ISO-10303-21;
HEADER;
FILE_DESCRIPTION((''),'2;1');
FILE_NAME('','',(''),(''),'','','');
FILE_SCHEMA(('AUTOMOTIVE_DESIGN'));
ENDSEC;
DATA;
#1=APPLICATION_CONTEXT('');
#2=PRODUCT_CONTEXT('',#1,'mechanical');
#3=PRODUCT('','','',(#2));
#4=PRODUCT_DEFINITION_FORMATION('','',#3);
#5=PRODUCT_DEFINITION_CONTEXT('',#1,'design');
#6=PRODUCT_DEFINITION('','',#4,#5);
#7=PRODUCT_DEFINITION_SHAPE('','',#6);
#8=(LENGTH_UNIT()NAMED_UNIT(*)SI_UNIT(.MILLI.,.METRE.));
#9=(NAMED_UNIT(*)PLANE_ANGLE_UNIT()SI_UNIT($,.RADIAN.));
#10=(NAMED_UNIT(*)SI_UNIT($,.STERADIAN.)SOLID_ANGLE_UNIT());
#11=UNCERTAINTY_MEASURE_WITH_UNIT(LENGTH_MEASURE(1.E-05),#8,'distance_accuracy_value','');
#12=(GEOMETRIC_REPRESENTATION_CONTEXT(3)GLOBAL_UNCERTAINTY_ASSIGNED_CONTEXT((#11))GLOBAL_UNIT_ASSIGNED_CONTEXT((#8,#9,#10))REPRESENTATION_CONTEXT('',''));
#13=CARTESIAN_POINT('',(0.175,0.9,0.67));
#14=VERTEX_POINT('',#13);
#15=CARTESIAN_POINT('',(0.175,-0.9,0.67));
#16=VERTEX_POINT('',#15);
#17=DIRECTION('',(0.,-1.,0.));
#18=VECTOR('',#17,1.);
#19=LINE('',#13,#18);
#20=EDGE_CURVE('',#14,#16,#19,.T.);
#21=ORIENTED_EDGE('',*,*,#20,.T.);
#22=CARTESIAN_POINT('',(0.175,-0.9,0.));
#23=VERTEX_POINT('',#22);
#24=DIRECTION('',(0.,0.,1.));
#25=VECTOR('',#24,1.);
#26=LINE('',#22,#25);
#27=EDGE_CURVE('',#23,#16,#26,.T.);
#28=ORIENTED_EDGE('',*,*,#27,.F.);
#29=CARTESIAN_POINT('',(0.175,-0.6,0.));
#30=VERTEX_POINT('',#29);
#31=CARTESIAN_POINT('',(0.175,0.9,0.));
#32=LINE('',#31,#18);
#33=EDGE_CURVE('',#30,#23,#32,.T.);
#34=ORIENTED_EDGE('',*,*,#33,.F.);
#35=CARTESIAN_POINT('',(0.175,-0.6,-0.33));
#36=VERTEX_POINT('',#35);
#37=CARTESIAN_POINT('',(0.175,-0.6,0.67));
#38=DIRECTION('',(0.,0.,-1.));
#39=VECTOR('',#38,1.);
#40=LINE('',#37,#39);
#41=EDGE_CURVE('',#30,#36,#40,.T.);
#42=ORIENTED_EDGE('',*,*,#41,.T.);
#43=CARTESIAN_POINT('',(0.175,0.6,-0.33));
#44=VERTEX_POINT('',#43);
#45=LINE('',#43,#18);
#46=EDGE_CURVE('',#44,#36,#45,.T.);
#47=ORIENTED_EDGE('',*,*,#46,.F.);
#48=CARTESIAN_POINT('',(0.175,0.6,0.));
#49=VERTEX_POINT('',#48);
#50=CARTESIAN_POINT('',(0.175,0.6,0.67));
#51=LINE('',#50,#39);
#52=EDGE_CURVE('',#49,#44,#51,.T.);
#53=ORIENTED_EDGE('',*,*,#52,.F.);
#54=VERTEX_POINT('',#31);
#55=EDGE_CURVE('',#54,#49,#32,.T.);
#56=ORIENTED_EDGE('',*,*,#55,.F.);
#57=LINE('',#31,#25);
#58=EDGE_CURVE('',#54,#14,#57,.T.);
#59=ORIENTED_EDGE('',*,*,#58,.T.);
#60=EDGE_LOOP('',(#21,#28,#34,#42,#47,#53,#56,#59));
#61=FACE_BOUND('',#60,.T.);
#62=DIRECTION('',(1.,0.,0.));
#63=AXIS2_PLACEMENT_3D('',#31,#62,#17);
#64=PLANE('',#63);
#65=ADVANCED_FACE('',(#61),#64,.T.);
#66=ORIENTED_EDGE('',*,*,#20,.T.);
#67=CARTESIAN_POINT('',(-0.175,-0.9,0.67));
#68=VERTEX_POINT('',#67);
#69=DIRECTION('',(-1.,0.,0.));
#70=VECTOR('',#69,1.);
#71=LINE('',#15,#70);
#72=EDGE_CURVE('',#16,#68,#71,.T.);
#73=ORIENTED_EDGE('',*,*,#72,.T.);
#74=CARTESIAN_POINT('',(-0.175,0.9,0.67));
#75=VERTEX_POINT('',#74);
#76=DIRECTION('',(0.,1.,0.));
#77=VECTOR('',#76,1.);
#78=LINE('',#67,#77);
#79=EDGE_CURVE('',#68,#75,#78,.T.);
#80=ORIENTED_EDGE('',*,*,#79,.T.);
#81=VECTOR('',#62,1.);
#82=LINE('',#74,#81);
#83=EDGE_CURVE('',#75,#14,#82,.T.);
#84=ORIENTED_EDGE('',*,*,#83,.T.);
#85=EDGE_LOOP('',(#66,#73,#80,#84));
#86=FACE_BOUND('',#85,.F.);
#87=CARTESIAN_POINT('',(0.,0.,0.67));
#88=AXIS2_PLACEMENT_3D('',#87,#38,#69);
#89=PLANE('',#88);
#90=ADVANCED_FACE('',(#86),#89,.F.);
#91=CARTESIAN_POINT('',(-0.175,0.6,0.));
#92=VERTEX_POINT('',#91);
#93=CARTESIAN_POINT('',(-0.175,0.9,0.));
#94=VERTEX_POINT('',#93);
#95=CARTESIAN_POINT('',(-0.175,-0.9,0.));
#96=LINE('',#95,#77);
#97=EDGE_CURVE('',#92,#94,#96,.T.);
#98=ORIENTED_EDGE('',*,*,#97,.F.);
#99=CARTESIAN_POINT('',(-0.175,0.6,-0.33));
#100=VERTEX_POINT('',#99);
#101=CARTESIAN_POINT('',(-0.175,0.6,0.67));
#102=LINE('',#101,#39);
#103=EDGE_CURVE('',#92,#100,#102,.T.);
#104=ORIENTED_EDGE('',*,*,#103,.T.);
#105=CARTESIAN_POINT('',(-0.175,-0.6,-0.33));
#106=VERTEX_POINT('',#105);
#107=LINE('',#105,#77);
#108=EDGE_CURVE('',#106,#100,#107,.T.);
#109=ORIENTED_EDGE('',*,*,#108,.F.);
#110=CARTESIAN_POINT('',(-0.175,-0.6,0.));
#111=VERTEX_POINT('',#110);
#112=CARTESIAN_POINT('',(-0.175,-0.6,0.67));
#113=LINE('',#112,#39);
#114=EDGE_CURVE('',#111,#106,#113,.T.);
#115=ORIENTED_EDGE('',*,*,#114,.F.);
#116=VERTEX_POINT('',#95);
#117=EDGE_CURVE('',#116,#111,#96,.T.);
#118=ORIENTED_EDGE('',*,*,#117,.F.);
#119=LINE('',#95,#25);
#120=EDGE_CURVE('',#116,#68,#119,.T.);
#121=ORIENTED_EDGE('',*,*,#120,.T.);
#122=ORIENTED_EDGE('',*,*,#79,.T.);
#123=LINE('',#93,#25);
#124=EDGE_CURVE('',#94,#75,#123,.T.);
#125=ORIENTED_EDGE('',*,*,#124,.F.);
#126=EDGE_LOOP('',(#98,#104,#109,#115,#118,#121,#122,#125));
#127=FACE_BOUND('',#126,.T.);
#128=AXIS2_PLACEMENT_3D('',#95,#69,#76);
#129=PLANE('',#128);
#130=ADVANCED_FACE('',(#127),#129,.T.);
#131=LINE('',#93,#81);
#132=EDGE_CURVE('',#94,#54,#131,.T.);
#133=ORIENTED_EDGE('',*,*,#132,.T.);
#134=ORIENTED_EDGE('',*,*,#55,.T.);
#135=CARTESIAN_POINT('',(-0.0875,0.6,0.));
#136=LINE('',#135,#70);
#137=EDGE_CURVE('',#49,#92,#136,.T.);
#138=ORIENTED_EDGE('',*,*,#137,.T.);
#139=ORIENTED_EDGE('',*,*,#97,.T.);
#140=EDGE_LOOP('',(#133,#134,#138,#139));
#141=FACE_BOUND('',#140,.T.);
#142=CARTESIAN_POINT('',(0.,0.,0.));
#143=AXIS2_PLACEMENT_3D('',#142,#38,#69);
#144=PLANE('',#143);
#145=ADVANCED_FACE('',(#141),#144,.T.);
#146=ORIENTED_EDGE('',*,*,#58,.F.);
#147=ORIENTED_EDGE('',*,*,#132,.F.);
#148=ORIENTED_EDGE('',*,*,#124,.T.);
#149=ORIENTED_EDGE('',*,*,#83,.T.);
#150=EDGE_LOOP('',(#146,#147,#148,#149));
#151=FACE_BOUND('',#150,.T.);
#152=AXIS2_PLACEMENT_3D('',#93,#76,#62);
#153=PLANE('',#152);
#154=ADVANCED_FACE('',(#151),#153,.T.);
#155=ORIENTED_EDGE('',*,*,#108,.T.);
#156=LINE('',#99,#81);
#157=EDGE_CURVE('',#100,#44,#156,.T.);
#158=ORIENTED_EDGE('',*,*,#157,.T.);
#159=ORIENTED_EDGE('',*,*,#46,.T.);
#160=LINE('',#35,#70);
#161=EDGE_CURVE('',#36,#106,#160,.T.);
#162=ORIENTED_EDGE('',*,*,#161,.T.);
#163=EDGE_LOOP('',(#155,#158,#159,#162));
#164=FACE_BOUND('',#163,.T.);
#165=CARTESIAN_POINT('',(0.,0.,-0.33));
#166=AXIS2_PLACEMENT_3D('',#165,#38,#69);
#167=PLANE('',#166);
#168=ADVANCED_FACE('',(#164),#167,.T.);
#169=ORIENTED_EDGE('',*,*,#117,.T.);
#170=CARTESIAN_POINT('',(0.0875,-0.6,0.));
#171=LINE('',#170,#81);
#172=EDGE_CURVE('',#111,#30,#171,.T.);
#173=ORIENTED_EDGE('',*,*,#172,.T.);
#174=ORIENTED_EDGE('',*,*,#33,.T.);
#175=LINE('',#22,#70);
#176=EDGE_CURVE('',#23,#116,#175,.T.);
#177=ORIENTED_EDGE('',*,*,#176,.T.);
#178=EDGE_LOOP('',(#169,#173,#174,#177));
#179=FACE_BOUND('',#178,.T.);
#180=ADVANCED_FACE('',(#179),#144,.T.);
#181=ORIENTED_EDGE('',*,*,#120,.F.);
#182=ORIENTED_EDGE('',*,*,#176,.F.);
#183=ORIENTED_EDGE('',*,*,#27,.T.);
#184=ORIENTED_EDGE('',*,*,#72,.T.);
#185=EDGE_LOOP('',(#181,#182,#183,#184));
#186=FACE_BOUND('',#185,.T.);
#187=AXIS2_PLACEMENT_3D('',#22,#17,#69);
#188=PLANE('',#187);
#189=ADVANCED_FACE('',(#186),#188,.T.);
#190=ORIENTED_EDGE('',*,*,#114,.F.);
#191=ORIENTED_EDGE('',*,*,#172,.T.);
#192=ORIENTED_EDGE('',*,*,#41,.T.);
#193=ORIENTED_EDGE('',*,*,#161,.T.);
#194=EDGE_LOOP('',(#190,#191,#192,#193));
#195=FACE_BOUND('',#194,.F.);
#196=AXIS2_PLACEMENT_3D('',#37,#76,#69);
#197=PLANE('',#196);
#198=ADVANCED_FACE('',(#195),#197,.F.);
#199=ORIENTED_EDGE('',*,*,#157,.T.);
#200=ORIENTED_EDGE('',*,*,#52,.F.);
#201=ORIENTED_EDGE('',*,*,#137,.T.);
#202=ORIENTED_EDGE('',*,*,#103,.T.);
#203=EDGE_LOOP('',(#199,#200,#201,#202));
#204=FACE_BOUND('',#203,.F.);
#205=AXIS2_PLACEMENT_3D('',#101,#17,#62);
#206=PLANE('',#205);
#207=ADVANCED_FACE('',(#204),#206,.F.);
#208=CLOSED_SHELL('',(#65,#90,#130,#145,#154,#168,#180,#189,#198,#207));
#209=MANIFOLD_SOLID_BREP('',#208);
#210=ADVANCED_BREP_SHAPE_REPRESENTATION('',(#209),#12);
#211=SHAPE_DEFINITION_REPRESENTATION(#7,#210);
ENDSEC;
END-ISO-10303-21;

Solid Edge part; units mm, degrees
sketch "Sketch1" plane through (0, 0, 0) normal (0, 0, 1) x (1, 0, 0)
  line L0 (0.175, -0.9) -> (-0.175, -0.9)
  line L1 (-0.175, -0.9) -> (-0.175, 0.9)
  line L2 (-0.175, 0.9) -> (0.175, 0.9)
  line L3 (0.175, 0.9) -> (0.175, -0.9)
extrude "Protrusion1" add sketch "Sketch1" along normal blind 0.67
sketch "Sketch2" plane through (0, 0, 0.67) normal (0, 0, 1) x (0, -1, 0)
  line L0 (-0.6, 0.175) -> (0.6, 0.175)
  line L1 (0.6, 0.175) -> (0.6, -0.175)
  line L2 (0.6, -0.175) -> (-0.6, -0.175)
  line L3 (-0.6, -0.175) -> (-0.6, 0.175)
extrude "ExtrudedProtrusion_3" add sketch "Sketch2" against normal blind 1
